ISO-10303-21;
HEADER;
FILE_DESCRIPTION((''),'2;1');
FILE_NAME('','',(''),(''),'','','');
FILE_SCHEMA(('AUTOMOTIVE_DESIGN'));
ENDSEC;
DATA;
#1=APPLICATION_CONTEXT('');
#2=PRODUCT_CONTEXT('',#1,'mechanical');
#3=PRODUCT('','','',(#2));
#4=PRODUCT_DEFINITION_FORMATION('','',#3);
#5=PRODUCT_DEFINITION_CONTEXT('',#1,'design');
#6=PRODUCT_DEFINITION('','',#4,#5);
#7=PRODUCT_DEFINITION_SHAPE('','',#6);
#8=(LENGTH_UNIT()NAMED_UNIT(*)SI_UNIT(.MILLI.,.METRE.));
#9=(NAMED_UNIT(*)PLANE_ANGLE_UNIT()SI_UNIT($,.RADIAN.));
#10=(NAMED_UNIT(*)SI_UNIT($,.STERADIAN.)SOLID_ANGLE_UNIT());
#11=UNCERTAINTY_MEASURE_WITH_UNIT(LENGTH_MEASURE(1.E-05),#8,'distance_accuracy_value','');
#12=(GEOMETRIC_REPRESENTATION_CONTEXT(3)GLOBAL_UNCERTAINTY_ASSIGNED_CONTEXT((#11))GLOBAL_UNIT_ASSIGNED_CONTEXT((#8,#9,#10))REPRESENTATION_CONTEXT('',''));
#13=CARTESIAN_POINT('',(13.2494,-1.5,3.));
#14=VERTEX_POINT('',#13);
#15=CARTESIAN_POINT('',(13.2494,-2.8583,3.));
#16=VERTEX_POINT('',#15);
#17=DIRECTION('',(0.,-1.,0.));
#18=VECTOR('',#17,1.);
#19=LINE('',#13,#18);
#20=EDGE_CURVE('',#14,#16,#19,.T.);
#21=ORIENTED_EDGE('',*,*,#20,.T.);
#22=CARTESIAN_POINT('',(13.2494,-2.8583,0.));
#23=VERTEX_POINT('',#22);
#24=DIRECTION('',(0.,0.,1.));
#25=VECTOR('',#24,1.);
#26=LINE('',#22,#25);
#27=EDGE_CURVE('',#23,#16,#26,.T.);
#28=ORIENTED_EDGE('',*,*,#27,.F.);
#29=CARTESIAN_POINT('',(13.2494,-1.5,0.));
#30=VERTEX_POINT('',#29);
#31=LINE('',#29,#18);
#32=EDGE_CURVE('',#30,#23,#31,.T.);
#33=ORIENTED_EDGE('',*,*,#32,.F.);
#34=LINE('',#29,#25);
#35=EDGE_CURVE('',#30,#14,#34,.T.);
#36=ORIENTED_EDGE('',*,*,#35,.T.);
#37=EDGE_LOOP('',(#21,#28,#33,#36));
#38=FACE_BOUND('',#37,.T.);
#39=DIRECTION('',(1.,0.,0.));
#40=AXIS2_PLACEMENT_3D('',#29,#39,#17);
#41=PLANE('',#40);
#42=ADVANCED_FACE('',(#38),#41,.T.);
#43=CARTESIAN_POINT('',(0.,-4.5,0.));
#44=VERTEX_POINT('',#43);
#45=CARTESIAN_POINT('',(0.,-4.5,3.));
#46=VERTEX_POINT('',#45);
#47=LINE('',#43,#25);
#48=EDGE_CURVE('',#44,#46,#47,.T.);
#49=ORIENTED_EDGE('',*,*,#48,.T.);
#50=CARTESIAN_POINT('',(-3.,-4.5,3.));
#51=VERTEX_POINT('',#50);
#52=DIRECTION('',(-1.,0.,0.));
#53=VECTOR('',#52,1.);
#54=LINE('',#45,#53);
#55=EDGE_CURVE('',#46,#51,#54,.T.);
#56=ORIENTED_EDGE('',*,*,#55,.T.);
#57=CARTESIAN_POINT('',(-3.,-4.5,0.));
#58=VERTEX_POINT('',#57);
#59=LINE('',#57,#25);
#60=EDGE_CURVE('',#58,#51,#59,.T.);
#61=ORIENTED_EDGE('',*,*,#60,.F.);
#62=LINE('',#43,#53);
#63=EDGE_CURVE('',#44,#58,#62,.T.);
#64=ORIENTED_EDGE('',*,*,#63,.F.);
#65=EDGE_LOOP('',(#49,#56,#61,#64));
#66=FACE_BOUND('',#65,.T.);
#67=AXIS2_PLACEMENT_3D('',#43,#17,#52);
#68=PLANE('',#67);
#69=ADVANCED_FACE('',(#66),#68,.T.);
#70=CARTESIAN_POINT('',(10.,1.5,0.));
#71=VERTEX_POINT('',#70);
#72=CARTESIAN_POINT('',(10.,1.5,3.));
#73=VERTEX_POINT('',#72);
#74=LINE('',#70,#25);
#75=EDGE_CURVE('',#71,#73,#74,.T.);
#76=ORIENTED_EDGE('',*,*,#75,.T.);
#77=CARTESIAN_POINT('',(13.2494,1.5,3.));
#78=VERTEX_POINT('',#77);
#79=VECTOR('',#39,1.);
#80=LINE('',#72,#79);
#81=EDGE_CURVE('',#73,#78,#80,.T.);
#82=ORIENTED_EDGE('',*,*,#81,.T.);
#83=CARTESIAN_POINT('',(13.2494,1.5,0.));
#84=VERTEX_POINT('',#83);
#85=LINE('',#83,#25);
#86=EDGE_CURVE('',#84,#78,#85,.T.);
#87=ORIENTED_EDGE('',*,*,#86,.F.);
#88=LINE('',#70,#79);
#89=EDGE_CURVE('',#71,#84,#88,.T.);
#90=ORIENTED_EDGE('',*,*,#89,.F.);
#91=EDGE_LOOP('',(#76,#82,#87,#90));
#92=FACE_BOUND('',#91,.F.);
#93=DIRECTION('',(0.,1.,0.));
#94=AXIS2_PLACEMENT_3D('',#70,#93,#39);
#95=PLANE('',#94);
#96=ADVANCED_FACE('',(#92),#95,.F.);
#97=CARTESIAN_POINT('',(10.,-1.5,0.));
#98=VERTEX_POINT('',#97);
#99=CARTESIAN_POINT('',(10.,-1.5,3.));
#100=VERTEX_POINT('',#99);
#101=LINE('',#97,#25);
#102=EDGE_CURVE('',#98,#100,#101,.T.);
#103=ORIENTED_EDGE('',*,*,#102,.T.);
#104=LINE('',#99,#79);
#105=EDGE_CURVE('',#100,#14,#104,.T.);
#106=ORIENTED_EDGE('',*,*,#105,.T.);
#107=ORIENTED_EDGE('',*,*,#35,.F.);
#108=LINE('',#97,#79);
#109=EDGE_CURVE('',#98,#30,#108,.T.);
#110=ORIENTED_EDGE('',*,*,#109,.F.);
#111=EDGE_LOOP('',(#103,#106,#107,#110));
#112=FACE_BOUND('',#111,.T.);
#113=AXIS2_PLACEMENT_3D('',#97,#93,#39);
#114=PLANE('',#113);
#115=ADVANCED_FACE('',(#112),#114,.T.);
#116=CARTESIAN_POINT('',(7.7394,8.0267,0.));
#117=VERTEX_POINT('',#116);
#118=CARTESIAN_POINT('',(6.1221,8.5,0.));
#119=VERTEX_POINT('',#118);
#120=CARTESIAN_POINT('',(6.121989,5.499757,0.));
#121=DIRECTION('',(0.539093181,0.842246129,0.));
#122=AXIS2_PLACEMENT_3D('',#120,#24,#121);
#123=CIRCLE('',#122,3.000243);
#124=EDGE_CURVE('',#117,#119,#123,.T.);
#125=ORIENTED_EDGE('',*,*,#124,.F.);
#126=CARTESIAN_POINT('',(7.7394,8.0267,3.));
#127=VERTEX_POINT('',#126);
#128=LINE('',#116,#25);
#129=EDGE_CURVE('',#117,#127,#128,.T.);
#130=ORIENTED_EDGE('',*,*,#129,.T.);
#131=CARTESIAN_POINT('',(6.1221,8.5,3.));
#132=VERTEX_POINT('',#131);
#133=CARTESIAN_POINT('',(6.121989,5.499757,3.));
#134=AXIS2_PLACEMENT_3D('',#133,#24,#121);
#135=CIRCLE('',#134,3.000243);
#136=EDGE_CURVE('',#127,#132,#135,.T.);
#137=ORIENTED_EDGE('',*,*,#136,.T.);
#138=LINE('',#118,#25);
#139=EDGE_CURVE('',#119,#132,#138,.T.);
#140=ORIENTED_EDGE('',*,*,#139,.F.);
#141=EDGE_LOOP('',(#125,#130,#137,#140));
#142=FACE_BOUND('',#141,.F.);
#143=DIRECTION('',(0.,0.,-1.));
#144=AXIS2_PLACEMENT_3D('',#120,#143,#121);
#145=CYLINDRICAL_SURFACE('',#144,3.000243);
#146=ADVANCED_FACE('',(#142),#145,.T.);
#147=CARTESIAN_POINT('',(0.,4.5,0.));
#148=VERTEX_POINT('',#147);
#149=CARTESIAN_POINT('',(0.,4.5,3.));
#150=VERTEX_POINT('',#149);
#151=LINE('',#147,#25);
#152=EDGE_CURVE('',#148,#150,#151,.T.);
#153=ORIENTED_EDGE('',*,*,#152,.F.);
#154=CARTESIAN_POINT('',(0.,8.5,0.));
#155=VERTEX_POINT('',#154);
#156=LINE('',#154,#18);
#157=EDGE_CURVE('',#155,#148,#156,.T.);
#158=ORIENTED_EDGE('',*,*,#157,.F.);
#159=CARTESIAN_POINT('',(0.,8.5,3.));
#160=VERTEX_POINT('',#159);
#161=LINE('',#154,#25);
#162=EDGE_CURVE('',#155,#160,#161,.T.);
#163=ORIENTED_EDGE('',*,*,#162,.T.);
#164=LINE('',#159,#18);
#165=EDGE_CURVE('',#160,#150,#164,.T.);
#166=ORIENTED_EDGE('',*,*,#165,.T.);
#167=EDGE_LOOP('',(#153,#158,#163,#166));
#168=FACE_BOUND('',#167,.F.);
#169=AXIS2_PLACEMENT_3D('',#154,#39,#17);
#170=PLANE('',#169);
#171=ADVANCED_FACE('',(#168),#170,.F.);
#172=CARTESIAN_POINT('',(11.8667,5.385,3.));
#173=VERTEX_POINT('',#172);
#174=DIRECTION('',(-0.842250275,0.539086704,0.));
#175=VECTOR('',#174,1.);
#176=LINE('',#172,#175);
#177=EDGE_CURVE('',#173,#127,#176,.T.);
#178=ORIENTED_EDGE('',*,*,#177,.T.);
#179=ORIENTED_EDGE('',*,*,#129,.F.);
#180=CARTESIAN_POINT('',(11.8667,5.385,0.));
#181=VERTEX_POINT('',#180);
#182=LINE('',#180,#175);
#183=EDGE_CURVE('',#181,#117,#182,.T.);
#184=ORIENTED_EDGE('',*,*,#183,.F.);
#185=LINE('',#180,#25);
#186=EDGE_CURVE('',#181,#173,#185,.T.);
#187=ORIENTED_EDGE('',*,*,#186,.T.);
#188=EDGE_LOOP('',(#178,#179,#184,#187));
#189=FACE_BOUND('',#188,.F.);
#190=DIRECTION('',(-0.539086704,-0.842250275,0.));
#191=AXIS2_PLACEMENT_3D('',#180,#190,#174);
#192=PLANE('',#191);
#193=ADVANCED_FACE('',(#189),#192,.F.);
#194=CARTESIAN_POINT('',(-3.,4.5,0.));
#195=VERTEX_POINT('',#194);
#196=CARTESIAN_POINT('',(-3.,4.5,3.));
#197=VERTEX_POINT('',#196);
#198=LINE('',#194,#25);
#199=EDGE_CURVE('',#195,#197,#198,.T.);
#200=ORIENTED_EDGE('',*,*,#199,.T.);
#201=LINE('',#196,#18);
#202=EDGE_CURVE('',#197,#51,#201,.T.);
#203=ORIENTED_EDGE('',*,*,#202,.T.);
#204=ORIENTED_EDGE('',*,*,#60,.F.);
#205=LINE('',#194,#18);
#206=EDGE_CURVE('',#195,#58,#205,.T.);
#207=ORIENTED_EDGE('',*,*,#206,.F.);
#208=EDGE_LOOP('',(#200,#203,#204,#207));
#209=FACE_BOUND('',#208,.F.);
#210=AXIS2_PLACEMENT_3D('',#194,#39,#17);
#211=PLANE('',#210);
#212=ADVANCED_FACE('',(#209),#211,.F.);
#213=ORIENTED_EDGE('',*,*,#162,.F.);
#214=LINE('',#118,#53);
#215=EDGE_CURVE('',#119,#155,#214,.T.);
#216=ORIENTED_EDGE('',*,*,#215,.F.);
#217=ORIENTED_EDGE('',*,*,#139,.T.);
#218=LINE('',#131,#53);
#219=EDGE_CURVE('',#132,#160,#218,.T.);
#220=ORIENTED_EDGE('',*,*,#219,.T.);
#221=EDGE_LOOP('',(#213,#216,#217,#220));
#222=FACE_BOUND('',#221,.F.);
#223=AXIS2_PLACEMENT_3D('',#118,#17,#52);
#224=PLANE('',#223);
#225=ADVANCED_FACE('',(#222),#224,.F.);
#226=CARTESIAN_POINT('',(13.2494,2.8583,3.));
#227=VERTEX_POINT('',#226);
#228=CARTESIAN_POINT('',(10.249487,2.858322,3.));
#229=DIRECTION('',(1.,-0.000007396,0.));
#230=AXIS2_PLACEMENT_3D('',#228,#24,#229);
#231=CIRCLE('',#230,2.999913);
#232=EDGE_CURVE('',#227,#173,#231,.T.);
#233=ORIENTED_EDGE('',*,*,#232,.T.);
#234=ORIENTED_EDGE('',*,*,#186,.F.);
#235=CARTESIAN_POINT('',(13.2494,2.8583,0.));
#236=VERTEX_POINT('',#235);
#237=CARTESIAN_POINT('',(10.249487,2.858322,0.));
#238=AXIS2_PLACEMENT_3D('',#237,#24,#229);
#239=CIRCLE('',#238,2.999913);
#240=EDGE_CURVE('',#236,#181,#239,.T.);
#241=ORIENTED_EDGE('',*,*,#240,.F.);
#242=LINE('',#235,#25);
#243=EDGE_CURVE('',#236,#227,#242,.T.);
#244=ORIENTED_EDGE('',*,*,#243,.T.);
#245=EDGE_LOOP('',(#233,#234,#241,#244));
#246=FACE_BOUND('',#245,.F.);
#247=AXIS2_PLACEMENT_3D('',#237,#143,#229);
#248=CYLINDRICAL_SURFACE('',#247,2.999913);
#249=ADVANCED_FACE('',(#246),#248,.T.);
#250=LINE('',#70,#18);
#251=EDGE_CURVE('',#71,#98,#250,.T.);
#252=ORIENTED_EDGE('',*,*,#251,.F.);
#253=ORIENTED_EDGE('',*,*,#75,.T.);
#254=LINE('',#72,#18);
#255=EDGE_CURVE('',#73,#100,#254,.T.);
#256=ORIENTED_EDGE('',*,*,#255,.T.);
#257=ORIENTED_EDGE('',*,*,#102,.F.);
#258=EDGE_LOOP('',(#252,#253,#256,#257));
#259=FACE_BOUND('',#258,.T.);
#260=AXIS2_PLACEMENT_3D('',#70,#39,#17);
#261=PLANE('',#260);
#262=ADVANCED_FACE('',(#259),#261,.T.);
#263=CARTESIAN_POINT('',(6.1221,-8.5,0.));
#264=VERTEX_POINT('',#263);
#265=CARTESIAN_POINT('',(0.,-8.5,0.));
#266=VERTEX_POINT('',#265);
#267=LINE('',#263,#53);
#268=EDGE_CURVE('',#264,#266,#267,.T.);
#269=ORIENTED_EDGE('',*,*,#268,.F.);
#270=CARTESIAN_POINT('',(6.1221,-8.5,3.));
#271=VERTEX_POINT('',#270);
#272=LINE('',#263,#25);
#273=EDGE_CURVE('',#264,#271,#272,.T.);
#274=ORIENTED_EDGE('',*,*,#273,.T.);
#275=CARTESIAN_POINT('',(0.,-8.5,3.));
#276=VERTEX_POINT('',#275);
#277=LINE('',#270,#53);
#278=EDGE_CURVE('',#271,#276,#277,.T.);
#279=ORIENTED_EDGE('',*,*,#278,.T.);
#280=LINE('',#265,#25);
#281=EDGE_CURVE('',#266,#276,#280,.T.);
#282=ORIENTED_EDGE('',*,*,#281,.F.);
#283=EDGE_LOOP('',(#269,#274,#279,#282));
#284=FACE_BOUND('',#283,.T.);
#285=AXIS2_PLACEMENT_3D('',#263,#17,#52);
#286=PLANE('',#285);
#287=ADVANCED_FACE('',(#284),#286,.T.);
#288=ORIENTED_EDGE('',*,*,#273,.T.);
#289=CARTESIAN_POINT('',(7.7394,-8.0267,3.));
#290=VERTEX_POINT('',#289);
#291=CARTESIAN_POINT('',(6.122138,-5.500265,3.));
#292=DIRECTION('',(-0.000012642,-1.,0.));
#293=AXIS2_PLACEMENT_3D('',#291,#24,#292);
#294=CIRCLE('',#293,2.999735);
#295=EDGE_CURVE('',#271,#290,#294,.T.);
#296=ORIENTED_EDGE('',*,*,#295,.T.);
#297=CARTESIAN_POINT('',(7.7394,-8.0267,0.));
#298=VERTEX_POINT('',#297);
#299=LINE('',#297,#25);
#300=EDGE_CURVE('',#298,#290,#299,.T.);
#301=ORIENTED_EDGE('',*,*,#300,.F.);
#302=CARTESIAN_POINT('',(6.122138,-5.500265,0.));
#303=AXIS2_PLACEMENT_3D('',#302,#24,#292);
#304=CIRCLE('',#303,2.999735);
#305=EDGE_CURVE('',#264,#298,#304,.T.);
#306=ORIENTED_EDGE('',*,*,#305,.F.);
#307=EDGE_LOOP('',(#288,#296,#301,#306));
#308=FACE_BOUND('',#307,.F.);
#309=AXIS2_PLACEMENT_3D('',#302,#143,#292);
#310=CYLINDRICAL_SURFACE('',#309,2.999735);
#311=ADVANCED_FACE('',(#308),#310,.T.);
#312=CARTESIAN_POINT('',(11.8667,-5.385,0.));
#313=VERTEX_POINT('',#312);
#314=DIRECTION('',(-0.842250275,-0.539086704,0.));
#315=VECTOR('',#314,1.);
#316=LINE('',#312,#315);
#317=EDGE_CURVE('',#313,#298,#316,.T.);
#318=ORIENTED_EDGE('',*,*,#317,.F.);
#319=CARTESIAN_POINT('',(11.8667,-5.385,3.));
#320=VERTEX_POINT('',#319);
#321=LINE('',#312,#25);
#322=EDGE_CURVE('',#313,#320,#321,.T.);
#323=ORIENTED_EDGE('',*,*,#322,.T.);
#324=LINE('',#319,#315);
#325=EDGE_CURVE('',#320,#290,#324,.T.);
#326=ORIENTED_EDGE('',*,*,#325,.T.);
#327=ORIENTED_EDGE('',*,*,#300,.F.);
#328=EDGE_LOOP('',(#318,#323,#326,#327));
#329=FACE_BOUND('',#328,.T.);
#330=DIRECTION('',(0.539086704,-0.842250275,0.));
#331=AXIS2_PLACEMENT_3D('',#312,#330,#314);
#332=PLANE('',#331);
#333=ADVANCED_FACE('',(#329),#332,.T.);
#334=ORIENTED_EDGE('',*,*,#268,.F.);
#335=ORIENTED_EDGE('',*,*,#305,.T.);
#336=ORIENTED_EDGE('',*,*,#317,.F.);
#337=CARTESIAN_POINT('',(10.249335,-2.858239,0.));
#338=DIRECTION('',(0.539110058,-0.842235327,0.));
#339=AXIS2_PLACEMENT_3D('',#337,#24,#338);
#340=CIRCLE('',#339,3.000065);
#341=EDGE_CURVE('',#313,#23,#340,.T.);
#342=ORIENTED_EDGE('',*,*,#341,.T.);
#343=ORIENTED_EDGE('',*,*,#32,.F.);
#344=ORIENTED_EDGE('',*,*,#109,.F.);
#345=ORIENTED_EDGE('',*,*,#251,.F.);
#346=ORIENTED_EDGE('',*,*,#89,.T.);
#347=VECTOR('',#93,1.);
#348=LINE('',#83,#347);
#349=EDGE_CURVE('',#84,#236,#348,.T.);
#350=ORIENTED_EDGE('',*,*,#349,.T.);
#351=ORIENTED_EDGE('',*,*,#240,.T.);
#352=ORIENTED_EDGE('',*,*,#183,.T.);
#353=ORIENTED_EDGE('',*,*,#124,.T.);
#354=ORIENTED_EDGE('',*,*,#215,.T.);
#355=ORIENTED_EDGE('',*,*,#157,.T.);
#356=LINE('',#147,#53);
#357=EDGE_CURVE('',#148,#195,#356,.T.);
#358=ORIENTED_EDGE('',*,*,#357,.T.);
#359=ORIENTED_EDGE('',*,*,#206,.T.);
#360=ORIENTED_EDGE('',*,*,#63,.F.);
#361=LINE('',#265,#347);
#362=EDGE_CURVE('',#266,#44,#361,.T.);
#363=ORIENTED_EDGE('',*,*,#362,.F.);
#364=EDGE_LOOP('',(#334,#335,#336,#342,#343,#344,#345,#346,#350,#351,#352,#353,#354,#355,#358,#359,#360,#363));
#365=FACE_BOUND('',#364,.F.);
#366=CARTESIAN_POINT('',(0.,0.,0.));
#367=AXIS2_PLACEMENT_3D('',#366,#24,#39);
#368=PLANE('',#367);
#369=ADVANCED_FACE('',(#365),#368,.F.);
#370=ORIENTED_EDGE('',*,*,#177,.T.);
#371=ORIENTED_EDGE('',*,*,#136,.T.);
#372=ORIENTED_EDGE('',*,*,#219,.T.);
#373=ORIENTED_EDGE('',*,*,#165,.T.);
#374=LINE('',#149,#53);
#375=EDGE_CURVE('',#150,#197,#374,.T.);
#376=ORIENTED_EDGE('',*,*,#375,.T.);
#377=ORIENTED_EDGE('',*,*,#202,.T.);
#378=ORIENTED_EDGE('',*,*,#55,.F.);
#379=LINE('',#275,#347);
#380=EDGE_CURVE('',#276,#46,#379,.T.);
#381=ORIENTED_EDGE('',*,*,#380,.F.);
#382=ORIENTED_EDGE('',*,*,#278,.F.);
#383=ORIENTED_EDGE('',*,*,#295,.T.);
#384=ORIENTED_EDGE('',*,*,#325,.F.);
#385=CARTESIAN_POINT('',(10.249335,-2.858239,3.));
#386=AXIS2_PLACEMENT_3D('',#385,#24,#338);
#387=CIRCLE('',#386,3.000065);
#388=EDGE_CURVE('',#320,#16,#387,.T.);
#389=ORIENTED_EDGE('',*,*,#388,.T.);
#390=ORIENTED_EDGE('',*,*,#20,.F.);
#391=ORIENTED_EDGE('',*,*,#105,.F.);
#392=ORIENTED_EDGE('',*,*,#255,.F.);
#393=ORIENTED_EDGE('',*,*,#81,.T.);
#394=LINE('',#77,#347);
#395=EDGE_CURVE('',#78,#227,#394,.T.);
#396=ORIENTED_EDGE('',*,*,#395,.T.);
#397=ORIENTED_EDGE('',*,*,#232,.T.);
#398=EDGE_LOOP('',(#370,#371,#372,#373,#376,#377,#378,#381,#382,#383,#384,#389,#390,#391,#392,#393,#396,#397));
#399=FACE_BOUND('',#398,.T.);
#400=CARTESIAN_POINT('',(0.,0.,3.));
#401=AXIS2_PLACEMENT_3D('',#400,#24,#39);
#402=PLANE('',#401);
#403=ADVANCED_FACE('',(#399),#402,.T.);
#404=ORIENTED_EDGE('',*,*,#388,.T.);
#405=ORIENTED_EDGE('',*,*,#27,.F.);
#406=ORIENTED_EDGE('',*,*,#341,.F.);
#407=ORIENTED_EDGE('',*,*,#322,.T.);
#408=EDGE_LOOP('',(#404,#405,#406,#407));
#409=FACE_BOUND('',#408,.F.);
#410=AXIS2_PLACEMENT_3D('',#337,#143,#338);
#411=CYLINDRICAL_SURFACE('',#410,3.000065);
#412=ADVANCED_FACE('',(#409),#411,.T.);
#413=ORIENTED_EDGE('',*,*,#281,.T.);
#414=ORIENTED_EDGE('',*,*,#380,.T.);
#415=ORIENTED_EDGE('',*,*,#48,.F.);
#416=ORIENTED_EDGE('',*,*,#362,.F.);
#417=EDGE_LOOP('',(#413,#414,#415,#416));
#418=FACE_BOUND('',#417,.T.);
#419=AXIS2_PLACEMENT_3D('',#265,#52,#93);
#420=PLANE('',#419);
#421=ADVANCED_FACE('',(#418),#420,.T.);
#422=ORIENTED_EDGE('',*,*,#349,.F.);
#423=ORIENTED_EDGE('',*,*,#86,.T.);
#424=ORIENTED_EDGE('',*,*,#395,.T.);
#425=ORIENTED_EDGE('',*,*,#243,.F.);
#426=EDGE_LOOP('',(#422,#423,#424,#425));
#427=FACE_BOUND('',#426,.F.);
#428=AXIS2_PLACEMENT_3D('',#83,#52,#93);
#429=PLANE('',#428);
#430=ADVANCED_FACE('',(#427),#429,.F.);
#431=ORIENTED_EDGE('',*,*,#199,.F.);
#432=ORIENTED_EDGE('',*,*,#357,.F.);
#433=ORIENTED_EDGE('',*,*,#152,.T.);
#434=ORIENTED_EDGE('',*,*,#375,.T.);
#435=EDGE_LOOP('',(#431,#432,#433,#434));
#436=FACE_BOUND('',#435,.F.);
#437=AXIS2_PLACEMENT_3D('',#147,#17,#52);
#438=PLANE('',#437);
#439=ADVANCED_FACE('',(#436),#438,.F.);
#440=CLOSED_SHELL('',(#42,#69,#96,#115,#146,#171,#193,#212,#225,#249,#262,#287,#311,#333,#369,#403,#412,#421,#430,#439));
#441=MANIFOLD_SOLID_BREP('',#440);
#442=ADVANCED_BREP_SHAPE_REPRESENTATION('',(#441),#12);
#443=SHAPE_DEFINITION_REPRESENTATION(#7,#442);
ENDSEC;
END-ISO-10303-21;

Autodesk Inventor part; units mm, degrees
ref_plane "YZ Plane" through (0, 0, 0) normal (1, 0, 0) x (0, 1, 0)
ref_plane "XZ Plane" through (0, 0, 0) normal (0, 1, 0) x (-1, 0, 0)
ref_plane "XY Plane" through (0, 0, 0) normal (0, 0, 1) x (1, 0, 0)
sketch "Sketch1" plane through (0, 0, 0) normal (0, 0, 1) x (1, 0, 0)
  line L0 (6.1221, 8.5) -> (0, 8.5)
  line L1 (0, 8.5) -> (0, 4.5)
  line L2 (0, 4.5) -> (-3, 4.5)
  line L3 (-3, 4.5) -> (-3, -4.5)
  line L4 (11.8667, -5.385) -> (7.7394, -8.0267)
  line L5 (6.1221, -8.5) -> (0, -8.5)
  line L6 (0, -8.5) -> (0, -4.5)
  line L7 (0, -4.5) -> (-3, -4.5)
  line L8 (10, 1.5) -> (10, -1.5)
  line L9 (10, -1.5) -> (13.2494, -1.5)
  line L10 (10, 1.5) -> (13.2494, 1.5)
  line L11 (13.2494, 1.5) -> (13.2494, 2.8583)
  line L12 (13.2494, -1.5) -> (13.2494, -2.8583)
  line L13 (11.8667, 5.385) -> (7.7394, 8.0267)
  arc A0 (7.7394, 8.0267) -> (6.1221, 8.5) centre (6.1221, 5.5) ccw
  arc A1 (13.2494, 2.8583) -> (11.8667, 5.385) centre (10.2494, 2.8583) ccw
  arc A2 (11.8667, -5.385) -> (13.2494, -2.8583) centre (10.2494, -2.8583) ccw
  arc A3 (6.1221, -8.5) -> (7.7394, -8.0267) centre (6.1221, -5.5) ccw
  point P0 (7, 8.5)
  point P1 (7, -8.5)
  point P2 (13.2494, 4.5)
  point P3 (13.2494, -4.5)
  point P4 (0, 0)
  dimension "d13" = 3
  dimension "d26" = 7
  dimension "d27" = 9
  dimension "d28" = 4
  dimension "d29" = 4
  dimension "d30" = 7
  dimension "d33" = 4.5
  dimension "d34" = 3
  dimension "d35" = 1.5
  dimension "d36" = 3
  dimension "d37" = 3
  dimension "d38" = 3
  dimension "d39" = 3
extrude "Extrusion1" add sketch "Sketch1" along normal blind 3
properties part number "OpenROV_Dev_EChassis_Servo_Plate_Brace"
